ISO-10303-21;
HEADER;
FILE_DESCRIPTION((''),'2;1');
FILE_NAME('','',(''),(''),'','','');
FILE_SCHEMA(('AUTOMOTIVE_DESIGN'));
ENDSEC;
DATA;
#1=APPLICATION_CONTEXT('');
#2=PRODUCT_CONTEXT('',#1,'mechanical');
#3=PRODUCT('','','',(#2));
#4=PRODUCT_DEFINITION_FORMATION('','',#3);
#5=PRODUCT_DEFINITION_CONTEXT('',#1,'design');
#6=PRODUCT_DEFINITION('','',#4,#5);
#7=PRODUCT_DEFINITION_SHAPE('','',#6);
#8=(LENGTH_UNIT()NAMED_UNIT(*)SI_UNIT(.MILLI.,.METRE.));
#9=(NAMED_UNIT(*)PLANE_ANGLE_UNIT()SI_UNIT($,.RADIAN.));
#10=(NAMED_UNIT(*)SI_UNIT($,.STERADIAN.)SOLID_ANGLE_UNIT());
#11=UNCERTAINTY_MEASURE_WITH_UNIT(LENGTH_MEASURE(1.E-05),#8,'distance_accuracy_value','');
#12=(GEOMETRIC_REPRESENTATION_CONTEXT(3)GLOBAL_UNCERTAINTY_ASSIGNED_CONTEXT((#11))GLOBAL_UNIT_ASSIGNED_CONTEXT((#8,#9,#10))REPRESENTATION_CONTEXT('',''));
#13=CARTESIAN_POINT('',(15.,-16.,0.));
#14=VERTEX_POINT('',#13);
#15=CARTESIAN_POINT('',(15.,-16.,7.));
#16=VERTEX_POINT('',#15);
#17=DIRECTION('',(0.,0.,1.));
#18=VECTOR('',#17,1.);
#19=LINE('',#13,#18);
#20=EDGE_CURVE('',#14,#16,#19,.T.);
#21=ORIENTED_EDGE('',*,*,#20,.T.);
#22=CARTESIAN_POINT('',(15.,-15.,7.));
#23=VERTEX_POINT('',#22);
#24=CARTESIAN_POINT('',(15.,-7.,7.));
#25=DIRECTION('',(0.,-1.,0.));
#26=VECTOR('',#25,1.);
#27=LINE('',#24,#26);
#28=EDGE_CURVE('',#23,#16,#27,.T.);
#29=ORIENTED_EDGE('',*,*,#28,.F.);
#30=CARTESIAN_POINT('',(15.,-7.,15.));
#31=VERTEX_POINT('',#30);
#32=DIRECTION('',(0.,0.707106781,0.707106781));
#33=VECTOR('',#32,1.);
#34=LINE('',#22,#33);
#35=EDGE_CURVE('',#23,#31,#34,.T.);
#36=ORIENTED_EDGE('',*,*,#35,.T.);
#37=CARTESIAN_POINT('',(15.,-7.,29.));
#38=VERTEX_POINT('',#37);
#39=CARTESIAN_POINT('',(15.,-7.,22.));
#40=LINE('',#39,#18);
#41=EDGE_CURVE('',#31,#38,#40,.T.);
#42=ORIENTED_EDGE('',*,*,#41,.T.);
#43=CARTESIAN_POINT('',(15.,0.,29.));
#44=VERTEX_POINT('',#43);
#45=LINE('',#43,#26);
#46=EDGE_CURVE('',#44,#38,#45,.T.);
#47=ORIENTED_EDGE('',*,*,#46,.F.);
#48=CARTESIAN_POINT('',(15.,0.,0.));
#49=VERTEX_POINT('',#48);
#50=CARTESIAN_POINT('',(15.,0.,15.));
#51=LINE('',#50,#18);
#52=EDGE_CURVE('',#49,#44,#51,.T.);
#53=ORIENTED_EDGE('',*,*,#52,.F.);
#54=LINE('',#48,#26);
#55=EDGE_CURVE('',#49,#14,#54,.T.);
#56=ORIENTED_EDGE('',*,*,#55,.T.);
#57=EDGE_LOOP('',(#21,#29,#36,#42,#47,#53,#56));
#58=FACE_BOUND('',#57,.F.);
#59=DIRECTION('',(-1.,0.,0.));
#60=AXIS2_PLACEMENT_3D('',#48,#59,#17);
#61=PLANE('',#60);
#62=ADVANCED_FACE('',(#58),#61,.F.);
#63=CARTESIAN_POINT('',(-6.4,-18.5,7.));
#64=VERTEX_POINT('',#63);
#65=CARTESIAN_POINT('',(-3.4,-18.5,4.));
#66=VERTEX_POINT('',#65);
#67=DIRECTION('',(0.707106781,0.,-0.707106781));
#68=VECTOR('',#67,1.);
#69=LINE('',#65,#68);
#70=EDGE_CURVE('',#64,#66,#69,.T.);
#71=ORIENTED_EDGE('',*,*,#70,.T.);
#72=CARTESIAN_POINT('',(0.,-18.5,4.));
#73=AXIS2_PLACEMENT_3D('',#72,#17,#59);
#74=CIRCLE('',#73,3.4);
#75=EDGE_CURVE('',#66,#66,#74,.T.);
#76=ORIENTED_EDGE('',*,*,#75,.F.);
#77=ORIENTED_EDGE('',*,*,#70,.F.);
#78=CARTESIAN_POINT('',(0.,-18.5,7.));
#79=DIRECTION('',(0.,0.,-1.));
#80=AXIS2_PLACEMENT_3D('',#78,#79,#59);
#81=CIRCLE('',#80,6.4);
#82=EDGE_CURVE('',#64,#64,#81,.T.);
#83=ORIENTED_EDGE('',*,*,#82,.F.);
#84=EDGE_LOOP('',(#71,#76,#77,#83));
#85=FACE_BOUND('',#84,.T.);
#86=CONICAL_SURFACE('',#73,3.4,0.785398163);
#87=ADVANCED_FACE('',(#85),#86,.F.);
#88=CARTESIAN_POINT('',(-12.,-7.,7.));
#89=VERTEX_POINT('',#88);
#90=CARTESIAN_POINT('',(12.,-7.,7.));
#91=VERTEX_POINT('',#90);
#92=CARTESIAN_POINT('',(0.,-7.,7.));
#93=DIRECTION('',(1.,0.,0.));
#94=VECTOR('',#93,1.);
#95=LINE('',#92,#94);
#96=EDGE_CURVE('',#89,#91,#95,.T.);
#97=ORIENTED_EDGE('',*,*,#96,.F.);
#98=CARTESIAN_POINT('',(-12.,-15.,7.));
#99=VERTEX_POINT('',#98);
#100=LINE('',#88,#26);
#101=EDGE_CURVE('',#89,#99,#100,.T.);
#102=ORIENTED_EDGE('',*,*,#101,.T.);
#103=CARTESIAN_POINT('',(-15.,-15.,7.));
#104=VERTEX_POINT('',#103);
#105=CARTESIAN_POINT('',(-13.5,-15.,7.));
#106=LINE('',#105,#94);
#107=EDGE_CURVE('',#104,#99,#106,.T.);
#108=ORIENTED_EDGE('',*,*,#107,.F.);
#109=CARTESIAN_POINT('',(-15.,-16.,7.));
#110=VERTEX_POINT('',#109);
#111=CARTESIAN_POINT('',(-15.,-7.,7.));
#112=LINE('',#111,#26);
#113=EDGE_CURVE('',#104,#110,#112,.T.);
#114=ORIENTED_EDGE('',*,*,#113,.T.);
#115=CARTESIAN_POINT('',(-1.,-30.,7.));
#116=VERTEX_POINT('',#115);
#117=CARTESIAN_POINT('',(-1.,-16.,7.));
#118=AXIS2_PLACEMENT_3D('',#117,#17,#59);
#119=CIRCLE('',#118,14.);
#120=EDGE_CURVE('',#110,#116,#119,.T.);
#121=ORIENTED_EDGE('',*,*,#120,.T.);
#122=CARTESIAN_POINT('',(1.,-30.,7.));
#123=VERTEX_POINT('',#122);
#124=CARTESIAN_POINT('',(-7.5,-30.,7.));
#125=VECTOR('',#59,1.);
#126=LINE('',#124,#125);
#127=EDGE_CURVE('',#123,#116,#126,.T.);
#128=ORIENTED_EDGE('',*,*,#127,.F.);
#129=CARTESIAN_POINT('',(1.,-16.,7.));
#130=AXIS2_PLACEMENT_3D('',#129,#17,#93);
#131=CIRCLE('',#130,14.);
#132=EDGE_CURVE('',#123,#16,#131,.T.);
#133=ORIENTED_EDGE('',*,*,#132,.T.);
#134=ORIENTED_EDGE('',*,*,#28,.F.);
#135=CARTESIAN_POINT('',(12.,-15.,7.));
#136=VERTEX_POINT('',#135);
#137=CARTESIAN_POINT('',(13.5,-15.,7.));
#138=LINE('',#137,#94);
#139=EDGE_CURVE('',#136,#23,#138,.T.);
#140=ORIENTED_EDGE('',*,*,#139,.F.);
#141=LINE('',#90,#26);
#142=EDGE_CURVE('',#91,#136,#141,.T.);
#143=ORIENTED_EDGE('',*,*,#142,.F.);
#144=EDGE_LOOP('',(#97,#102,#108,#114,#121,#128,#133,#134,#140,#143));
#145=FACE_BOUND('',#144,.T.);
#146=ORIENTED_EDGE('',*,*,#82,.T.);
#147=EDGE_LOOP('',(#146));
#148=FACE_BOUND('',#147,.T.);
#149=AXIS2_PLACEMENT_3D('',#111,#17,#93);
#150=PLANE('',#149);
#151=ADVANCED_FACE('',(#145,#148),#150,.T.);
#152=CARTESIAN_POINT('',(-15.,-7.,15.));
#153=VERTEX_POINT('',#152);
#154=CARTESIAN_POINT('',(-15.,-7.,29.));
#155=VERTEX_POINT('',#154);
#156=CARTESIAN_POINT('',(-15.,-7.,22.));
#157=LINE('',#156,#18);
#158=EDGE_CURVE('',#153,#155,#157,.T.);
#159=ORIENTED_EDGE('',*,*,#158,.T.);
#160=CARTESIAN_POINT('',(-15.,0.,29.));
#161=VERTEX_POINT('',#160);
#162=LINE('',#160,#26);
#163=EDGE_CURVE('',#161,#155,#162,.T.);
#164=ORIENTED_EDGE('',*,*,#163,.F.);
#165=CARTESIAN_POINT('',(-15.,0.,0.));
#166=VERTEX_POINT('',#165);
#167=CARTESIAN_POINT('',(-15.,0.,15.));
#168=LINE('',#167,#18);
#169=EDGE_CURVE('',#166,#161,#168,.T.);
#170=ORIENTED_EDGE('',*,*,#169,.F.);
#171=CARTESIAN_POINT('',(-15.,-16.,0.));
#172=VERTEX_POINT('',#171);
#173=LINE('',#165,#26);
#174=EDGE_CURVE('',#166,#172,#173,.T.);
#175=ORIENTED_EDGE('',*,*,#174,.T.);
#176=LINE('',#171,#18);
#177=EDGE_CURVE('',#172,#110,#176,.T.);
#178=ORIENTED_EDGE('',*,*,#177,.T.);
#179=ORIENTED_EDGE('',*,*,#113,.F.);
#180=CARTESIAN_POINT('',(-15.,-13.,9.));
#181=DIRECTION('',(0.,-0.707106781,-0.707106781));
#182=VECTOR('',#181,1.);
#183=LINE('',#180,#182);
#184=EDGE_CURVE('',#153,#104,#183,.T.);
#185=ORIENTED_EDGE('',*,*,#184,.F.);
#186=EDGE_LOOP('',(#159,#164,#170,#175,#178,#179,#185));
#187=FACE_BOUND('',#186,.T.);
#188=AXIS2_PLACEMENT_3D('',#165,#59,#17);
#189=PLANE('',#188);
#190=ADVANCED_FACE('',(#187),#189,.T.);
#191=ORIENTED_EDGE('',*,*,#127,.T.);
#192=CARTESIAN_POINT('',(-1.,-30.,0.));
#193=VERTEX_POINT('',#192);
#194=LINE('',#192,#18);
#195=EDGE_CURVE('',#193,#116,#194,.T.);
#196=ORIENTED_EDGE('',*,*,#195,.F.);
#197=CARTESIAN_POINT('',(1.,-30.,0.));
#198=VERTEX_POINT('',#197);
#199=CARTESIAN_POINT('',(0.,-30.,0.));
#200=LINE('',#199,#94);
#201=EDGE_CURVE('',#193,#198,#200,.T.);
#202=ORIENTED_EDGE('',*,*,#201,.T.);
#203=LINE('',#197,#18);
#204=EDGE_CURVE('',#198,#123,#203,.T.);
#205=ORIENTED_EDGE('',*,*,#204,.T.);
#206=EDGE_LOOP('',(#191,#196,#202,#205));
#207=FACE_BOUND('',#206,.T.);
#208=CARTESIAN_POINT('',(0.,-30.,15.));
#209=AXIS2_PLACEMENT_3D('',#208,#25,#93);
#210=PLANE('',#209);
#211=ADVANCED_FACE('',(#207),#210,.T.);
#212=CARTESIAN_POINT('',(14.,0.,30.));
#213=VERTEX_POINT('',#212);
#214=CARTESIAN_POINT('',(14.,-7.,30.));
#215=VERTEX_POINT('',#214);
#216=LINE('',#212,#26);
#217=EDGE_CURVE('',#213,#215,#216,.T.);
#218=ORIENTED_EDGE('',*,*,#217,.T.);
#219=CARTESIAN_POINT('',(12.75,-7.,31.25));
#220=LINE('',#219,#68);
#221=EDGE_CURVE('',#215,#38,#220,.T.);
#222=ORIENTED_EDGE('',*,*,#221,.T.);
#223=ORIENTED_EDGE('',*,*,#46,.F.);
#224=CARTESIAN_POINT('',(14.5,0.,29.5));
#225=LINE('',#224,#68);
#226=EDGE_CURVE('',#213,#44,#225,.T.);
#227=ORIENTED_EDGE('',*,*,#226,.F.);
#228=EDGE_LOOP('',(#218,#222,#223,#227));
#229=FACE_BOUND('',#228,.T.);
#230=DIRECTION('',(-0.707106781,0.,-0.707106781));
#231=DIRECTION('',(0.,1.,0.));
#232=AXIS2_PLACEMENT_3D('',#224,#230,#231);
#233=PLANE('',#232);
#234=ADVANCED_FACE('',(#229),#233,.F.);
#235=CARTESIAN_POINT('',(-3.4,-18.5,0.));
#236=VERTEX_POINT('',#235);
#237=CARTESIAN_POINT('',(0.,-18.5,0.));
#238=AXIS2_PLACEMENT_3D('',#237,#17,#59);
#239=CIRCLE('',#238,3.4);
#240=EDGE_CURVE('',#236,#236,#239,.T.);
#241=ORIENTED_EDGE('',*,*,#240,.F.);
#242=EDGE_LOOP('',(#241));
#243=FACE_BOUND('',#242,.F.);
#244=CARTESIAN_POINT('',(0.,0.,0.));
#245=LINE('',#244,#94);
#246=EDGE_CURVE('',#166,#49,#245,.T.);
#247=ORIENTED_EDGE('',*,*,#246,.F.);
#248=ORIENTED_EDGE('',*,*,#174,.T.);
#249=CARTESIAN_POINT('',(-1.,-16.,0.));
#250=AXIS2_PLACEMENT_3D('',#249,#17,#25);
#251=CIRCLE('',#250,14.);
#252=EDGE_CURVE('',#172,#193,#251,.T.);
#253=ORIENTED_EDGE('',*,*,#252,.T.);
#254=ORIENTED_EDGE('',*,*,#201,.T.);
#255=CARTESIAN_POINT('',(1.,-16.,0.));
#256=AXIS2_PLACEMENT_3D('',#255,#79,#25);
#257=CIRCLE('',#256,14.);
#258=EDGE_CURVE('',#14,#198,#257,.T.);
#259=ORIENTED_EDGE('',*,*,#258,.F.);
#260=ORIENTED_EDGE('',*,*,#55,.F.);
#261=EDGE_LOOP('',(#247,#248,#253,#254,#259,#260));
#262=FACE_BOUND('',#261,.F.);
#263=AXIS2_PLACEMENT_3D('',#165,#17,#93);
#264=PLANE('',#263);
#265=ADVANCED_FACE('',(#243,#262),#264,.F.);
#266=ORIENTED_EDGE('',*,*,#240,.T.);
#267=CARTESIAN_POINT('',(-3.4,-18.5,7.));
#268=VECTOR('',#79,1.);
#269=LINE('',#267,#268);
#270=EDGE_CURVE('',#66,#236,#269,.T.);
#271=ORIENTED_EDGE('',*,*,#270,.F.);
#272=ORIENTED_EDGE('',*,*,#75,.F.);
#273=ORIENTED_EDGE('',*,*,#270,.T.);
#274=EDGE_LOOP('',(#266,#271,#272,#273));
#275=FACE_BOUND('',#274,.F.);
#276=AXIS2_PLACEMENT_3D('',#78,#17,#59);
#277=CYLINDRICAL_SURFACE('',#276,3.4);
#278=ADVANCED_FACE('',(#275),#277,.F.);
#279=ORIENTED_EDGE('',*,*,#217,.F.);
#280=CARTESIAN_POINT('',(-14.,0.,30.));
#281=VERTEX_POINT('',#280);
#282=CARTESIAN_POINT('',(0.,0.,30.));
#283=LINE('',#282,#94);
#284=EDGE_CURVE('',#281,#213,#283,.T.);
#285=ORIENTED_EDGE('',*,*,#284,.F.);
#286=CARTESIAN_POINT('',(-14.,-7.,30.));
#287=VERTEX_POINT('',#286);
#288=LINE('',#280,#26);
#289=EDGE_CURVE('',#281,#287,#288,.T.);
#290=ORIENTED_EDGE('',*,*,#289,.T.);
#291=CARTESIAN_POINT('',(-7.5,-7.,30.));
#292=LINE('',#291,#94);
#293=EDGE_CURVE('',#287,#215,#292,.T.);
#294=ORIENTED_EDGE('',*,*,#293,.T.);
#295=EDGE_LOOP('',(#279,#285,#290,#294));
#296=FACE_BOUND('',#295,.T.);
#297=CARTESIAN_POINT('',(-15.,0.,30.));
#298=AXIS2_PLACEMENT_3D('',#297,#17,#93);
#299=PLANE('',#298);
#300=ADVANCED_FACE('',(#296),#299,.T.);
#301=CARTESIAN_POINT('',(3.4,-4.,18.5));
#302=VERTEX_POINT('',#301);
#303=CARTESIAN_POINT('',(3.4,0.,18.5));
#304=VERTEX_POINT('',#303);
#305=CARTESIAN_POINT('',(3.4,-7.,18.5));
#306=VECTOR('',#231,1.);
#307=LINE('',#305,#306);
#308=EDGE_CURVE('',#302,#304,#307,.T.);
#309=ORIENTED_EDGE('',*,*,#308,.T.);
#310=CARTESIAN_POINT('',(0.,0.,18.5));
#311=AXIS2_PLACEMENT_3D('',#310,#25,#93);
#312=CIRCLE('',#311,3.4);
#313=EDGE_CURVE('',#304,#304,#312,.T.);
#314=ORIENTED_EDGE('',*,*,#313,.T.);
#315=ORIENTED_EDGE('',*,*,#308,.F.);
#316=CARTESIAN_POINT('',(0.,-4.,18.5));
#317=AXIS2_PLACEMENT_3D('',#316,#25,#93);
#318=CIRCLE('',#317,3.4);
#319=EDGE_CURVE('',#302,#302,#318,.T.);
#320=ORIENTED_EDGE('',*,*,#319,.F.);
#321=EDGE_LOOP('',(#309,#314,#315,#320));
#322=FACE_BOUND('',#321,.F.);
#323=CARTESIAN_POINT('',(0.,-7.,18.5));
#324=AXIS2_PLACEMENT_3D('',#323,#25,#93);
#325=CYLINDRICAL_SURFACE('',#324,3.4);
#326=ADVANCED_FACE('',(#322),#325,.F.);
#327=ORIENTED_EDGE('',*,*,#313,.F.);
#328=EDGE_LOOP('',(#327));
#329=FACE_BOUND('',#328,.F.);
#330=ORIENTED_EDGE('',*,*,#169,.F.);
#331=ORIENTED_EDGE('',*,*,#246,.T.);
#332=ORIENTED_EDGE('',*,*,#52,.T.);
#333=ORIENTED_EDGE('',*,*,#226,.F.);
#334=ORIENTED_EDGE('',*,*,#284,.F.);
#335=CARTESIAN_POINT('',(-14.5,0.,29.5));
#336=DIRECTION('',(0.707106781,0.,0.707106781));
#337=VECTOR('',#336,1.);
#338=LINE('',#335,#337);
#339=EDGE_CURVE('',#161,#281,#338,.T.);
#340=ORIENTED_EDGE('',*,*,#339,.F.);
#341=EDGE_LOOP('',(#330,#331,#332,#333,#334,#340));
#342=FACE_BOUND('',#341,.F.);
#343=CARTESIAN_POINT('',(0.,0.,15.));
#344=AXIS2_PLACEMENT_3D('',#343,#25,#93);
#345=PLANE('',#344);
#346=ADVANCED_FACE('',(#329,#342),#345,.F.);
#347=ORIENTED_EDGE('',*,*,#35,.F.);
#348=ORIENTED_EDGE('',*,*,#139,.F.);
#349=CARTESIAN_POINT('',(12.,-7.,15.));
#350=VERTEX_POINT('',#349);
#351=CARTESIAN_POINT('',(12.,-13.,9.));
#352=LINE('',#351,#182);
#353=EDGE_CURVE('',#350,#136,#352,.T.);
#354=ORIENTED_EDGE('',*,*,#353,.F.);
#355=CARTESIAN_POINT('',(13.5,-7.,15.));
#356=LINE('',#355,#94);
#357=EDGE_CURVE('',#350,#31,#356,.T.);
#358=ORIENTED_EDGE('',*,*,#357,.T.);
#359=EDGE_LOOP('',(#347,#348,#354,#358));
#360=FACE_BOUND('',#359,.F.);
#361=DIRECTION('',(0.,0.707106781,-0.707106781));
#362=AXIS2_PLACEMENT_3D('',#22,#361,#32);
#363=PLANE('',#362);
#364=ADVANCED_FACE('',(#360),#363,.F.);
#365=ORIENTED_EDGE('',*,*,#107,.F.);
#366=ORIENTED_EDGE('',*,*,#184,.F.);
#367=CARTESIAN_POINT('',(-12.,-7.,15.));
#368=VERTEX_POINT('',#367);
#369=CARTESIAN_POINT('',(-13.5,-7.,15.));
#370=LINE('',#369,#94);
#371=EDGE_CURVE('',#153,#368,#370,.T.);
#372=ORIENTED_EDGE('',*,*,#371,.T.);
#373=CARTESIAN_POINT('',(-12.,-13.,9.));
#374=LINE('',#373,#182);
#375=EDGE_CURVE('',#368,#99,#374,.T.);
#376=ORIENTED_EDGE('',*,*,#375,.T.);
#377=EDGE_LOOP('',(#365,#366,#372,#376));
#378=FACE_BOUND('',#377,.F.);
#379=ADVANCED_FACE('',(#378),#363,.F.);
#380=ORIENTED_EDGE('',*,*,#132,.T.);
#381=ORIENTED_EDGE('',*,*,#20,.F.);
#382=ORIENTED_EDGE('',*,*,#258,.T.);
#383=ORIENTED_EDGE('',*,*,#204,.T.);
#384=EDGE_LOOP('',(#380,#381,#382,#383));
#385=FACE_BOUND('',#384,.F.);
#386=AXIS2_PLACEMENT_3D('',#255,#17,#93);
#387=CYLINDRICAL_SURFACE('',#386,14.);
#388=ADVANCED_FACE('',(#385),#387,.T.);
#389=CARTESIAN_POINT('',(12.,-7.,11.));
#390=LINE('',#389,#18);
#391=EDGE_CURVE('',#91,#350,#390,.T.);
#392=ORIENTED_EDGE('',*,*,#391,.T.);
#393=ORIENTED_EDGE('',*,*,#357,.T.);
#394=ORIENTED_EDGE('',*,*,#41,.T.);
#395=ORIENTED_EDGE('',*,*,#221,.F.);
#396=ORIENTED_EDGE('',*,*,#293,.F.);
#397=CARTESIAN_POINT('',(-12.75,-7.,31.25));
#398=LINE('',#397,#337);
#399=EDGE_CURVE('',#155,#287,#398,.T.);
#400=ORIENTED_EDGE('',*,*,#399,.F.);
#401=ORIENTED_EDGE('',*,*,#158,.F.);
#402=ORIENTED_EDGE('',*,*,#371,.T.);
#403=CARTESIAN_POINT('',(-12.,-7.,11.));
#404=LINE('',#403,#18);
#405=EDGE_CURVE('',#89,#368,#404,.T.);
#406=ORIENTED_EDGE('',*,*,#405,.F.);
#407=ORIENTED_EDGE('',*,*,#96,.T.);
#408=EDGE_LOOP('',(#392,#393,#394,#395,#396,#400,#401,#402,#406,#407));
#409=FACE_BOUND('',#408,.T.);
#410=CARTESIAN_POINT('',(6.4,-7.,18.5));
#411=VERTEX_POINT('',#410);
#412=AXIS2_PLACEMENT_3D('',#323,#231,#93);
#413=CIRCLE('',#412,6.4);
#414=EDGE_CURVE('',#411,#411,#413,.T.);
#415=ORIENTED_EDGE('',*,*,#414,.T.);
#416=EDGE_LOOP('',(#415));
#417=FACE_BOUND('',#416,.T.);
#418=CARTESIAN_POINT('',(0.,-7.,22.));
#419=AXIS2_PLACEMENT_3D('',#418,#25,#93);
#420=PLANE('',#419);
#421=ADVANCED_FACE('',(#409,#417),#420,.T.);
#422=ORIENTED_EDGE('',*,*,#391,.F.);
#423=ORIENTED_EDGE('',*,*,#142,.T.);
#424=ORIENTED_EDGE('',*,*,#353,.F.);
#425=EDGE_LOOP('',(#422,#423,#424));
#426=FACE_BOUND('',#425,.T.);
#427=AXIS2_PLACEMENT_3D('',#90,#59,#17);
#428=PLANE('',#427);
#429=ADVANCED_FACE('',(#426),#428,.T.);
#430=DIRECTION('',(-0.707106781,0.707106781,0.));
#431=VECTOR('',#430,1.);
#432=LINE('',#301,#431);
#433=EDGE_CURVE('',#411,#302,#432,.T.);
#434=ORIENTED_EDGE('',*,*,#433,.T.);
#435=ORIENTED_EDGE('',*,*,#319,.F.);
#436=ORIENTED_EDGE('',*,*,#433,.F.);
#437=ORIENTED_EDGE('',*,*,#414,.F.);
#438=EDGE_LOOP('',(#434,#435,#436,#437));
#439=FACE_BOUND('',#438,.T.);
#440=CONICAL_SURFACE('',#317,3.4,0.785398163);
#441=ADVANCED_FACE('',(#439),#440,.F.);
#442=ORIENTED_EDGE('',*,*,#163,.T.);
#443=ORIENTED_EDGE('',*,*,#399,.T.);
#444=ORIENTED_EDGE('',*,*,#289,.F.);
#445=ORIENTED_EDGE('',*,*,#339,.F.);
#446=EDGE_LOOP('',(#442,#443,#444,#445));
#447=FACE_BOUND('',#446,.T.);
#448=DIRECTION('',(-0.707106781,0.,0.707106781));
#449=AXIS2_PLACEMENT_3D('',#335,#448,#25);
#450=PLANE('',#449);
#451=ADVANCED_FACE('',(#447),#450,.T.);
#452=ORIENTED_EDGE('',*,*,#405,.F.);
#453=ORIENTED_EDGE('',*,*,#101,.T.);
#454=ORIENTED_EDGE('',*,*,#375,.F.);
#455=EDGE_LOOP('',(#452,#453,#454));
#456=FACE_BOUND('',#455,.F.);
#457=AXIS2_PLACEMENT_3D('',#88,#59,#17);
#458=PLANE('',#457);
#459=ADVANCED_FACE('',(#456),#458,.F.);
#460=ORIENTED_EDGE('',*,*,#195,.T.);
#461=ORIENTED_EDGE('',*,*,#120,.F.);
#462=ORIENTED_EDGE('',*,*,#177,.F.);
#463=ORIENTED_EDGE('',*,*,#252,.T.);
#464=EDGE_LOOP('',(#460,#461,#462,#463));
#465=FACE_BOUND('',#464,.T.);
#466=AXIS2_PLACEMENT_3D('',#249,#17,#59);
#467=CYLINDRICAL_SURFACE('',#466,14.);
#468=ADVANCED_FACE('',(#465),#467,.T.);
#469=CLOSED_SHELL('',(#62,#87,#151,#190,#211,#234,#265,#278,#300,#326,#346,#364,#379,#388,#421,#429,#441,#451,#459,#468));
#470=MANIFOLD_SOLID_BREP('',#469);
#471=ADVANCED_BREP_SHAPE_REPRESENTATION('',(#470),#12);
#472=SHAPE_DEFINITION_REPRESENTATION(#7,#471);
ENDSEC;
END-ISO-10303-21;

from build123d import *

# Parameters (mm, degrees)
SKETCH_W        = 30
SKETCH_H        = 30
PAD_DEPTH       = 30
FILLET_R        = 14
BOX_W           = 30
BOX_H           = 30
BOX_DEPTH       = 30
SKETCH001_R     = 3.4
POCKET_DEPTH    = 7
SKETCH002_R     = 3.4
POCKET001_DEPTH = 7
CHAMFER_SIZE    = 3
CHAMFER001_SIZE = 1
SKETCH003_W     = 3
SKETCH003_H     = 8
PAD001_DEPTH    = 8
POCKET002_DEPTH = 30.001


with BuildPart() as part:
    # Sketch → Pad (new body)
    with BuildSketch(Plane.XZ):
        with Locations((0, 15)):
            Rectangle(SKETCH_W, SKETCH_H)
    extrude(amount=PAD_DEPTH)

    # Fillet
    fillet_edges = [part.edges().sort_by_distance(p)[0] for p in [
        (15, -30, 15),
        (-15, -30, 15),
    ]]
    fillet(fillet_edges, radius=FILLET_R)

    # Box → Box (cut)
    with BuildSketch(Plane(origin=(-15, -7, 7), x_dir=(1, 0, 0), z_dir=(0, -1, 0))):
        with Locations((15, 15)):
            Rectangle(BOX_W, BOX_H)
    extrude(amount=BOX_DEPTH, mode=Mode.SUBTRACT)

    # Sketch001 (on Face6 of Box) → Pocket (cut)
    with BuildSketch(Plane(origin=(0, -7, 18.5), x_dir=(1, 0, 0), z_dir=(0, -1, 0))):
        Circle(SKETCH001_R)
    extrude(amount=-POCKET_DEPTH, mode=Mode.SUBTRACT)

    # Sketch002 (on Face5 of Pocket) → Pocket001 (cut)
    with BuildSketch(Plane(origin=(0, -18.5, 7), x_dir=(-1, 0, 0), z_dir=(0, 0, 1))):
        Circle(SKETCH002_R)
    extrude(amount=-POCKET001_DEPTH, mode=Mode.SUBTRACT)

    # Chamfer
    chamfer_edges = [part.edges().sort_by_distance(p)[0] for p in [
        (-3.4, -7, 18.5),
        (3.4, -18.5, 7),
    ]]
    chamfer(chamfer_edges, length=CHAMFER_SIZE)

    # Chamfer001
    chamfer001_edges = [part.edges().sort_by_distance(p)[0] for p in [
        (15, -3.5, 30),
        (-15, -3.5, 30),
    ]]
    chamfer(chamfer001_edges, length=CHAMFER001_SIZE)

    # Sketch003 (on Face1 of Chamfer001) → Pad001 (join)
    with BuildSketch(Plane(origin=(0, -7, 7), x_dir=(1, 0, 0), z_dir=(0, -1, 0))):
        with Locations((13.5, 4)):
            Rectangle(SKETCH003_W, SKETCH003_H)
        with Locations((-13.5, 4)):
            Rectangle(SKETCH003_W, SKETCH003_H)
    extrude(amount=PAD001_DEPTH)

    # Sketch004 (on Face22 of Pad001) → Pocket002 (cut, through all)
    with BuildSketch(Plane(origin=(15, -7, 7), x_dir=(0, 0, 1), z_dir=(1, 0, 0))):
        Polygon((0, 8), (8, 0), (8, 8), align=None)
    extrude(amount=-POCKET002_DEPTH, mode=Mode.SUBTRACT)


solid = part.part
